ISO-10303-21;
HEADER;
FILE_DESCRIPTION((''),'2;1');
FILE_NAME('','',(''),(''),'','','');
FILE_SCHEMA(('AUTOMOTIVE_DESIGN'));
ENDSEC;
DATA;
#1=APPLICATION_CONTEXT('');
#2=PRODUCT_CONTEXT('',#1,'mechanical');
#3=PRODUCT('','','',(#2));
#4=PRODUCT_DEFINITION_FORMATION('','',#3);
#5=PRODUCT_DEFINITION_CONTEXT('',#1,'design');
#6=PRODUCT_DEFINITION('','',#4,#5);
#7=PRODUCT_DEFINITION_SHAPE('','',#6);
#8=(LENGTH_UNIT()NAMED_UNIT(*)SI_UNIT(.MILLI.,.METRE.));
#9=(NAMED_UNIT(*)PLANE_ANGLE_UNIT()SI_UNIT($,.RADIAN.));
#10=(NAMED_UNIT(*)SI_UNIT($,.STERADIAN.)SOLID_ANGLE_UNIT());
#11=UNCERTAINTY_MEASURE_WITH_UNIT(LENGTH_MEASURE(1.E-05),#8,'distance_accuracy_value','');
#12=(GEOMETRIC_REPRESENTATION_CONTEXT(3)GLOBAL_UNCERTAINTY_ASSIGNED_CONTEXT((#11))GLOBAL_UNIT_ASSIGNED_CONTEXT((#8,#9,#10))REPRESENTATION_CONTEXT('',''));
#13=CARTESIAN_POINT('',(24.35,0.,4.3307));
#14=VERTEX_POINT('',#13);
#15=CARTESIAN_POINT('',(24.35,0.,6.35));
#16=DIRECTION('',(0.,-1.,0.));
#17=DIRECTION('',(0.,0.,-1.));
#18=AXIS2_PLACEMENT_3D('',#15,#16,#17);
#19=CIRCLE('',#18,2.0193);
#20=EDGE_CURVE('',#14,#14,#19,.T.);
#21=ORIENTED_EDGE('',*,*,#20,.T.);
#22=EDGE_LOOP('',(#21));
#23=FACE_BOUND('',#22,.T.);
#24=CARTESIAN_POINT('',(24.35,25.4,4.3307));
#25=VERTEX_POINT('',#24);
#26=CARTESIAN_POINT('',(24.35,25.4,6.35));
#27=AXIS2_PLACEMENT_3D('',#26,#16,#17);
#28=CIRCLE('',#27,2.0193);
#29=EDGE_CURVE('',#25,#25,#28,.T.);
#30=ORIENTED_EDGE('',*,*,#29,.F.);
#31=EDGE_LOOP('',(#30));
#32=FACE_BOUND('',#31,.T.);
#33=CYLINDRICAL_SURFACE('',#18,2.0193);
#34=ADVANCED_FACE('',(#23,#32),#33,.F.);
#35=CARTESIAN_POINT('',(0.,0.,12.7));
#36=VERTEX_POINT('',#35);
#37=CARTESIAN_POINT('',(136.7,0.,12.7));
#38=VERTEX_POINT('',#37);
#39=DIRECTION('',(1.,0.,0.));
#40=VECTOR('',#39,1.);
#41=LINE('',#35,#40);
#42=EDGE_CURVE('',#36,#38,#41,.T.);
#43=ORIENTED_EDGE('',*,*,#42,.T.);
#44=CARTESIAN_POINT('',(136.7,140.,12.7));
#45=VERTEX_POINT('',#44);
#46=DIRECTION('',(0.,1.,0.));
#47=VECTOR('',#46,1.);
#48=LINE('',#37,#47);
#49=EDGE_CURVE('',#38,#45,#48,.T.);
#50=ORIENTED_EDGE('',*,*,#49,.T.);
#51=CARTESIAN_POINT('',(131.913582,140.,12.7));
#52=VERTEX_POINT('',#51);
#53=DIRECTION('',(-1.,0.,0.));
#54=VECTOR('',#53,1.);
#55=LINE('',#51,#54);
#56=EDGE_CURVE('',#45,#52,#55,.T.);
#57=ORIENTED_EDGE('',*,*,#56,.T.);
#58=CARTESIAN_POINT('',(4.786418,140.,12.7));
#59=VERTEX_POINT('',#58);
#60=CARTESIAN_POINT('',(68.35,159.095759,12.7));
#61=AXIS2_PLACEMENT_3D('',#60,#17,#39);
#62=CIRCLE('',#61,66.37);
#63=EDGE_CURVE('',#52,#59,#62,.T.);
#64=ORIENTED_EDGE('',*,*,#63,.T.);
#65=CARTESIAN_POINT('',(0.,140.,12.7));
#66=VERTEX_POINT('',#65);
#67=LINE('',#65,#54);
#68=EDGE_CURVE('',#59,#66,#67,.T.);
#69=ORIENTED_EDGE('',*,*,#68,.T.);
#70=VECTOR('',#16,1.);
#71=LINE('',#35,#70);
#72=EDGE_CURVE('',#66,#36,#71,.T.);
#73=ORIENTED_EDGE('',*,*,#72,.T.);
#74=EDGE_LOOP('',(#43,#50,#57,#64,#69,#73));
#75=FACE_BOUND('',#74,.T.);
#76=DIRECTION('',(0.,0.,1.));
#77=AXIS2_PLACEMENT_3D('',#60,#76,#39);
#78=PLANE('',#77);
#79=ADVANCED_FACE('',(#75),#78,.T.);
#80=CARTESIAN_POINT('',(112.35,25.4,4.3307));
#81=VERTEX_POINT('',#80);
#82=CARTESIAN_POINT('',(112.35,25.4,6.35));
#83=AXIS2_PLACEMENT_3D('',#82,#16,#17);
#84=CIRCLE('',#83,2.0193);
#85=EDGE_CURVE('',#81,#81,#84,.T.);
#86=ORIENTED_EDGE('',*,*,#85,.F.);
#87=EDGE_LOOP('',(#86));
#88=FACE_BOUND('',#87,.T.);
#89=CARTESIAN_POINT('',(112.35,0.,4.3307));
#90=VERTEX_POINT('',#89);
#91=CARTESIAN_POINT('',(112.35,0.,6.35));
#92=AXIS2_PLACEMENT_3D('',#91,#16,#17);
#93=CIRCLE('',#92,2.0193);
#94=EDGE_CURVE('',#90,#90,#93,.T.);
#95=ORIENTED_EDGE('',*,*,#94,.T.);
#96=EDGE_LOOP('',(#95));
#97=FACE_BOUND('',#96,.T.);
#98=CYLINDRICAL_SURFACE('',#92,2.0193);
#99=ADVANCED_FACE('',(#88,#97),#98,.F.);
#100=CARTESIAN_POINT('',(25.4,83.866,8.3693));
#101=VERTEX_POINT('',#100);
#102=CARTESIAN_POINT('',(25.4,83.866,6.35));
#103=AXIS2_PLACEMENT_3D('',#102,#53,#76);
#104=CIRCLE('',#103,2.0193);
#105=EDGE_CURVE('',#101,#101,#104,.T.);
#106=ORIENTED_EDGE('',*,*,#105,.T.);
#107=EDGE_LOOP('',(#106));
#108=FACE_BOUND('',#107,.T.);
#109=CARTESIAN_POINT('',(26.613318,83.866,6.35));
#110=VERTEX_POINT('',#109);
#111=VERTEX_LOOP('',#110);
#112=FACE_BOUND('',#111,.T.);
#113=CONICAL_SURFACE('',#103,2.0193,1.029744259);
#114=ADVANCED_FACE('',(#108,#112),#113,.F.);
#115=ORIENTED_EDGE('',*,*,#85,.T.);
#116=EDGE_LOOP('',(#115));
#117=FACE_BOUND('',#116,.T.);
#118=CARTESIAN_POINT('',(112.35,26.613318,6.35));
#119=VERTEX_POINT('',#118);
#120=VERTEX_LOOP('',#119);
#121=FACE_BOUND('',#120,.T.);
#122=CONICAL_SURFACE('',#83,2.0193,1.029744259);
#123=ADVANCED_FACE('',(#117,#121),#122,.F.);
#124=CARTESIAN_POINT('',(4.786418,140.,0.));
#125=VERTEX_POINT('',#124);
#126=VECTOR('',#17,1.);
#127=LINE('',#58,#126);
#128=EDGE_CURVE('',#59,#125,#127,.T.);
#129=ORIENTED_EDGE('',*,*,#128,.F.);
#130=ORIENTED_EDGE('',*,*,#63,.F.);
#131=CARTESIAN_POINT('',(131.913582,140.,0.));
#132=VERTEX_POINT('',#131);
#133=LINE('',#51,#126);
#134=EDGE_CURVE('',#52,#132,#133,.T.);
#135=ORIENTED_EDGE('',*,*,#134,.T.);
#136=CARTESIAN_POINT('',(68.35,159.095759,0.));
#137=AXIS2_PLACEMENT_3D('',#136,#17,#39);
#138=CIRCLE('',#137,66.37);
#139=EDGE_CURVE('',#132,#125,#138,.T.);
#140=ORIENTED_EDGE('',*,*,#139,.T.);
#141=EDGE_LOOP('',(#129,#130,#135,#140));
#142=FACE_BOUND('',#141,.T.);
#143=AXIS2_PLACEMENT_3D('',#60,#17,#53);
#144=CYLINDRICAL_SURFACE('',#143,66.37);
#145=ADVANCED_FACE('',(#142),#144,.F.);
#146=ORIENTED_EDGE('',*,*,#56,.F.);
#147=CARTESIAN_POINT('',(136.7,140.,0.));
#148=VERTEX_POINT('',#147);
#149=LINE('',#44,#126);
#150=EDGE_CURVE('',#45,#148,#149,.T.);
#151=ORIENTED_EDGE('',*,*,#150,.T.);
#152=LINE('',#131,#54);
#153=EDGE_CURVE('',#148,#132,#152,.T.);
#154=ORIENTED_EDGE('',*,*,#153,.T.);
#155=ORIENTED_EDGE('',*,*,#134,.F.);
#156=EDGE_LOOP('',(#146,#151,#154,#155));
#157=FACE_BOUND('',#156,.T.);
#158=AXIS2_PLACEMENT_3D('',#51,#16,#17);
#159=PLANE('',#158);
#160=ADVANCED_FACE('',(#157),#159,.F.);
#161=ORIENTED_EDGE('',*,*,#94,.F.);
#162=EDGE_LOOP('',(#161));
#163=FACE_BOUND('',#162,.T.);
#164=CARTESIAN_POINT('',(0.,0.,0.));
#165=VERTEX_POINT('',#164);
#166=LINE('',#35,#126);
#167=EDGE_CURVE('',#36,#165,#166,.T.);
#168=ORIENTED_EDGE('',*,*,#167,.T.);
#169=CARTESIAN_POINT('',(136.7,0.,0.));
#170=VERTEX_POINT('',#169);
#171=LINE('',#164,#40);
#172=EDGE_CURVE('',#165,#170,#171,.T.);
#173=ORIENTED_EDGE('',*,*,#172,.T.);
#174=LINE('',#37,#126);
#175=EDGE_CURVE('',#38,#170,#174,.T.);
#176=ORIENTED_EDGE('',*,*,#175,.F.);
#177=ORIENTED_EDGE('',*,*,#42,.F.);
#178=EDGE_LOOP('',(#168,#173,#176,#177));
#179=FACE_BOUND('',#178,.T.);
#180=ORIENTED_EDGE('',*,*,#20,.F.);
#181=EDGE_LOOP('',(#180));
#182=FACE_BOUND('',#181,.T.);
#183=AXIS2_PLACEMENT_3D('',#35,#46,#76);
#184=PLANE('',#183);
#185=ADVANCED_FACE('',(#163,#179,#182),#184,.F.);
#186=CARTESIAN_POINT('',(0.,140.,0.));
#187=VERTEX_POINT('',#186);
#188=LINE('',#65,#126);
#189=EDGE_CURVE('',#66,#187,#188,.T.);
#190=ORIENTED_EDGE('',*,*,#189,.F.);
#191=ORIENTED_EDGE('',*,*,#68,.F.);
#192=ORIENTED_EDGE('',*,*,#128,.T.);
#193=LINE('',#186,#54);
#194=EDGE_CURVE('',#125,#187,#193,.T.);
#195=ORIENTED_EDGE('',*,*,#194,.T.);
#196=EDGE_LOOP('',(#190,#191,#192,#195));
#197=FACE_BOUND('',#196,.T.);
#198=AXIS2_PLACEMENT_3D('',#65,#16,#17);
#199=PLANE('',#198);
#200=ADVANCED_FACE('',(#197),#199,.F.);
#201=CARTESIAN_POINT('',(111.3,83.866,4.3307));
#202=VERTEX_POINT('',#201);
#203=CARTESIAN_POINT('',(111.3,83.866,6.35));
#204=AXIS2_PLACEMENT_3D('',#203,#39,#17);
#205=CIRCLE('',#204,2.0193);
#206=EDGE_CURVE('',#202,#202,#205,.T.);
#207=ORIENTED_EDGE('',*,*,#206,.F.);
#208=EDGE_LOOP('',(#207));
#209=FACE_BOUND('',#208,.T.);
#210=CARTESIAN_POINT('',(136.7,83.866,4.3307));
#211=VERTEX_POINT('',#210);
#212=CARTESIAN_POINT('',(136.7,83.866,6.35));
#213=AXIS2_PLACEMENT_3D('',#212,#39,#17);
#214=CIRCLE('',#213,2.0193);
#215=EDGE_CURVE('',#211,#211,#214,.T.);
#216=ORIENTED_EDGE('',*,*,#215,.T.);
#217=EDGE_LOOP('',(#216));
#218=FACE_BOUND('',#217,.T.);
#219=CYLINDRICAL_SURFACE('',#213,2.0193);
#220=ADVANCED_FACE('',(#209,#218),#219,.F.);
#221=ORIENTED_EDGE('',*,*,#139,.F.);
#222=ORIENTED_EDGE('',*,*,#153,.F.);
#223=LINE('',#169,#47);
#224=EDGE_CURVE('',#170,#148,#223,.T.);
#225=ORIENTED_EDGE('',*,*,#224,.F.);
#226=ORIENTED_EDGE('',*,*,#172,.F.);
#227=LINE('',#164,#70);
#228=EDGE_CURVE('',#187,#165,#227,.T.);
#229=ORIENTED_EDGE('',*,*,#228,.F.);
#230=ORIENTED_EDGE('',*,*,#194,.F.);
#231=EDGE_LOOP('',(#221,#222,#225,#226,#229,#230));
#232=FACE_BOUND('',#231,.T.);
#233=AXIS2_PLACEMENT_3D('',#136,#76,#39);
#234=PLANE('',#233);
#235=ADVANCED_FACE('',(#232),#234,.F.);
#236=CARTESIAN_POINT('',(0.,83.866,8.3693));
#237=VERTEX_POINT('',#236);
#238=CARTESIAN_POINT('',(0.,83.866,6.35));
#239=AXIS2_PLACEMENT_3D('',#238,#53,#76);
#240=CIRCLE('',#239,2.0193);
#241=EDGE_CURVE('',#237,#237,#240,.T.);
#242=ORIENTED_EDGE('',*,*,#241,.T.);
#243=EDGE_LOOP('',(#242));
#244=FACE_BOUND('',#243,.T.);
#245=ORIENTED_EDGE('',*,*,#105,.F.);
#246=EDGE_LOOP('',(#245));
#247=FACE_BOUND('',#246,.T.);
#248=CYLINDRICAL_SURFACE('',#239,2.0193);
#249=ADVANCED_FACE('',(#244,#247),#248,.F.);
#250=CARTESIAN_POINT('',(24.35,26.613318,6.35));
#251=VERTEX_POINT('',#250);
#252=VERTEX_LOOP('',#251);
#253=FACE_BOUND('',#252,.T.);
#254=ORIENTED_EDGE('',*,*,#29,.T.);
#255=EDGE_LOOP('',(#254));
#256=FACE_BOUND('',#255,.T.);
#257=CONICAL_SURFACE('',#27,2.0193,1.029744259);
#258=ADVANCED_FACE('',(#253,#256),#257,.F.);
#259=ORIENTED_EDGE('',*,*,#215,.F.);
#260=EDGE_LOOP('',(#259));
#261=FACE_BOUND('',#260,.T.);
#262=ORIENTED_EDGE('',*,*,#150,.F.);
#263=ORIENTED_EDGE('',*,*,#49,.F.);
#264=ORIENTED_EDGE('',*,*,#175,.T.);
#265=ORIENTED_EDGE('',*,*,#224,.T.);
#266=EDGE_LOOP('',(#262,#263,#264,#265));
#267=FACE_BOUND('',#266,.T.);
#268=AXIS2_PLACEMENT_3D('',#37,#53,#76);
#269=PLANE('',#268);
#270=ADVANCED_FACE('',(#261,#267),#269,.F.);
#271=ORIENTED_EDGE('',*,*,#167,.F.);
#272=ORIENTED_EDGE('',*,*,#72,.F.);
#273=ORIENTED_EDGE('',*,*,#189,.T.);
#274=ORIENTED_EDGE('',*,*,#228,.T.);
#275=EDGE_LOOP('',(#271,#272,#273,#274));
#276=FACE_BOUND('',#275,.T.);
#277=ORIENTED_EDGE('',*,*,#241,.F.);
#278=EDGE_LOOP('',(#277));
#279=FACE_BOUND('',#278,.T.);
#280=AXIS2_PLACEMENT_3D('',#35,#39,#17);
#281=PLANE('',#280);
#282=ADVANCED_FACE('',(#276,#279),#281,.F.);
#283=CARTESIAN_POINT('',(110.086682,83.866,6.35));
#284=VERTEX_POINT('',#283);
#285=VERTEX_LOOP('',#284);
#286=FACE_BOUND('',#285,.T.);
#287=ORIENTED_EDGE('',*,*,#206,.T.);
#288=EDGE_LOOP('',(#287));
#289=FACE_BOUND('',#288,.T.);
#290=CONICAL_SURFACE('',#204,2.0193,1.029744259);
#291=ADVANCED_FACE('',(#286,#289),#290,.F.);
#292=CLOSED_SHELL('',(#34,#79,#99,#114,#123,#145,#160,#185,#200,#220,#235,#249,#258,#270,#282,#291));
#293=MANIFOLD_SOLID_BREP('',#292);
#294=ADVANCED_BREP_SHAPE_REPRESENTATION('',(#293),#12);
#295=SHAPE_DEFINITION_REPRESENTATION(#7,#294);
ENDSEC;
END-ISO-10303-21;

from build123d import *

# Parameters (mm, degrees)
BOSS_EXTRUDE1_DEPTH        = 12.7
F_10_32_TAPPED_HOLE2_D     = 4.0386
F_10_32_TAPPED_HOLE2_DEPTH = 25.4
F_10_32_TAPPED_HOLE2_TIP   = 1.213317848


with BuildPart() as part:
    # Sketch1 → Boss-Extrude1 (new body)
    with BuildSketch(Plane.XY):
        with BuildLine():
            Line((0, 0), (0, 140))
            Line((0, 140), (4.78641843, 140))
            ThreePointArc((4.78641843, 140), (68.35, 92.725758639), (131.91358157, 140))
            Line((131.91358157, 140), (136.7, 140))
            Line((136.7, 140), (136.7, 0))
            Line((136.7, 0), (0, 0))
        make_face()
    extrude(amount=BOSS_EXTRUDE1_DEPTH)

    # Sketch3 → #10-32 Tapped Hole1 (revolve, cut)
    with BuildSketch(Plane(origin=(136.7, 83.866, 6.35), x_dir=(0, 0, -1), z_dir=(0, 1, 0))):
        Polygon((0, 0), (0, 26.613317848), (2.0193, 25.4), (2.0193, 0), align=None)
    f_10_32_tapped_hole1 = revolve(axis=Axis((143.05, 83.866, 6.35), (-1, 0, 0)), mode=Mode.SUBTRACT)

    # Mirror3: #10-32 Tapped Hole1 across plane
    add(f_10_32_tapped_hole1.mirror(Plane(origin=(68.35, 0, 0), x_dir=(0, 0, 1), z_dir=(1, 0, 0))), mode=Mode.SUBTRACT)

    # #10-32 Tapped Hole2
    with Locations(Plane(origin=(112.35, 0, 6.35), x_dir=(0, 0, -1), z_dir=(0, -1, 0))):
        with Locations((0, 0), (0, -88)):
            Hole(F_10_32_TAPPED_HOLE2_D / 2, depth=F_10_32_TAPPED_HOLE2_DEPTH)
            with Locations((0, 0, -(F_10_32_TAPPED_HOLE2_DEPTH + F_10_32_TAPPED_HOLE2_TIP / 2))):  # 118° drill point
                Cone(0, F_10_32_TAPPED_HOLE2_D / 2, F_10_32_TAPPED_HOLE2_TIP, mode=Mode.SUBTRACT)


solid = part.part
